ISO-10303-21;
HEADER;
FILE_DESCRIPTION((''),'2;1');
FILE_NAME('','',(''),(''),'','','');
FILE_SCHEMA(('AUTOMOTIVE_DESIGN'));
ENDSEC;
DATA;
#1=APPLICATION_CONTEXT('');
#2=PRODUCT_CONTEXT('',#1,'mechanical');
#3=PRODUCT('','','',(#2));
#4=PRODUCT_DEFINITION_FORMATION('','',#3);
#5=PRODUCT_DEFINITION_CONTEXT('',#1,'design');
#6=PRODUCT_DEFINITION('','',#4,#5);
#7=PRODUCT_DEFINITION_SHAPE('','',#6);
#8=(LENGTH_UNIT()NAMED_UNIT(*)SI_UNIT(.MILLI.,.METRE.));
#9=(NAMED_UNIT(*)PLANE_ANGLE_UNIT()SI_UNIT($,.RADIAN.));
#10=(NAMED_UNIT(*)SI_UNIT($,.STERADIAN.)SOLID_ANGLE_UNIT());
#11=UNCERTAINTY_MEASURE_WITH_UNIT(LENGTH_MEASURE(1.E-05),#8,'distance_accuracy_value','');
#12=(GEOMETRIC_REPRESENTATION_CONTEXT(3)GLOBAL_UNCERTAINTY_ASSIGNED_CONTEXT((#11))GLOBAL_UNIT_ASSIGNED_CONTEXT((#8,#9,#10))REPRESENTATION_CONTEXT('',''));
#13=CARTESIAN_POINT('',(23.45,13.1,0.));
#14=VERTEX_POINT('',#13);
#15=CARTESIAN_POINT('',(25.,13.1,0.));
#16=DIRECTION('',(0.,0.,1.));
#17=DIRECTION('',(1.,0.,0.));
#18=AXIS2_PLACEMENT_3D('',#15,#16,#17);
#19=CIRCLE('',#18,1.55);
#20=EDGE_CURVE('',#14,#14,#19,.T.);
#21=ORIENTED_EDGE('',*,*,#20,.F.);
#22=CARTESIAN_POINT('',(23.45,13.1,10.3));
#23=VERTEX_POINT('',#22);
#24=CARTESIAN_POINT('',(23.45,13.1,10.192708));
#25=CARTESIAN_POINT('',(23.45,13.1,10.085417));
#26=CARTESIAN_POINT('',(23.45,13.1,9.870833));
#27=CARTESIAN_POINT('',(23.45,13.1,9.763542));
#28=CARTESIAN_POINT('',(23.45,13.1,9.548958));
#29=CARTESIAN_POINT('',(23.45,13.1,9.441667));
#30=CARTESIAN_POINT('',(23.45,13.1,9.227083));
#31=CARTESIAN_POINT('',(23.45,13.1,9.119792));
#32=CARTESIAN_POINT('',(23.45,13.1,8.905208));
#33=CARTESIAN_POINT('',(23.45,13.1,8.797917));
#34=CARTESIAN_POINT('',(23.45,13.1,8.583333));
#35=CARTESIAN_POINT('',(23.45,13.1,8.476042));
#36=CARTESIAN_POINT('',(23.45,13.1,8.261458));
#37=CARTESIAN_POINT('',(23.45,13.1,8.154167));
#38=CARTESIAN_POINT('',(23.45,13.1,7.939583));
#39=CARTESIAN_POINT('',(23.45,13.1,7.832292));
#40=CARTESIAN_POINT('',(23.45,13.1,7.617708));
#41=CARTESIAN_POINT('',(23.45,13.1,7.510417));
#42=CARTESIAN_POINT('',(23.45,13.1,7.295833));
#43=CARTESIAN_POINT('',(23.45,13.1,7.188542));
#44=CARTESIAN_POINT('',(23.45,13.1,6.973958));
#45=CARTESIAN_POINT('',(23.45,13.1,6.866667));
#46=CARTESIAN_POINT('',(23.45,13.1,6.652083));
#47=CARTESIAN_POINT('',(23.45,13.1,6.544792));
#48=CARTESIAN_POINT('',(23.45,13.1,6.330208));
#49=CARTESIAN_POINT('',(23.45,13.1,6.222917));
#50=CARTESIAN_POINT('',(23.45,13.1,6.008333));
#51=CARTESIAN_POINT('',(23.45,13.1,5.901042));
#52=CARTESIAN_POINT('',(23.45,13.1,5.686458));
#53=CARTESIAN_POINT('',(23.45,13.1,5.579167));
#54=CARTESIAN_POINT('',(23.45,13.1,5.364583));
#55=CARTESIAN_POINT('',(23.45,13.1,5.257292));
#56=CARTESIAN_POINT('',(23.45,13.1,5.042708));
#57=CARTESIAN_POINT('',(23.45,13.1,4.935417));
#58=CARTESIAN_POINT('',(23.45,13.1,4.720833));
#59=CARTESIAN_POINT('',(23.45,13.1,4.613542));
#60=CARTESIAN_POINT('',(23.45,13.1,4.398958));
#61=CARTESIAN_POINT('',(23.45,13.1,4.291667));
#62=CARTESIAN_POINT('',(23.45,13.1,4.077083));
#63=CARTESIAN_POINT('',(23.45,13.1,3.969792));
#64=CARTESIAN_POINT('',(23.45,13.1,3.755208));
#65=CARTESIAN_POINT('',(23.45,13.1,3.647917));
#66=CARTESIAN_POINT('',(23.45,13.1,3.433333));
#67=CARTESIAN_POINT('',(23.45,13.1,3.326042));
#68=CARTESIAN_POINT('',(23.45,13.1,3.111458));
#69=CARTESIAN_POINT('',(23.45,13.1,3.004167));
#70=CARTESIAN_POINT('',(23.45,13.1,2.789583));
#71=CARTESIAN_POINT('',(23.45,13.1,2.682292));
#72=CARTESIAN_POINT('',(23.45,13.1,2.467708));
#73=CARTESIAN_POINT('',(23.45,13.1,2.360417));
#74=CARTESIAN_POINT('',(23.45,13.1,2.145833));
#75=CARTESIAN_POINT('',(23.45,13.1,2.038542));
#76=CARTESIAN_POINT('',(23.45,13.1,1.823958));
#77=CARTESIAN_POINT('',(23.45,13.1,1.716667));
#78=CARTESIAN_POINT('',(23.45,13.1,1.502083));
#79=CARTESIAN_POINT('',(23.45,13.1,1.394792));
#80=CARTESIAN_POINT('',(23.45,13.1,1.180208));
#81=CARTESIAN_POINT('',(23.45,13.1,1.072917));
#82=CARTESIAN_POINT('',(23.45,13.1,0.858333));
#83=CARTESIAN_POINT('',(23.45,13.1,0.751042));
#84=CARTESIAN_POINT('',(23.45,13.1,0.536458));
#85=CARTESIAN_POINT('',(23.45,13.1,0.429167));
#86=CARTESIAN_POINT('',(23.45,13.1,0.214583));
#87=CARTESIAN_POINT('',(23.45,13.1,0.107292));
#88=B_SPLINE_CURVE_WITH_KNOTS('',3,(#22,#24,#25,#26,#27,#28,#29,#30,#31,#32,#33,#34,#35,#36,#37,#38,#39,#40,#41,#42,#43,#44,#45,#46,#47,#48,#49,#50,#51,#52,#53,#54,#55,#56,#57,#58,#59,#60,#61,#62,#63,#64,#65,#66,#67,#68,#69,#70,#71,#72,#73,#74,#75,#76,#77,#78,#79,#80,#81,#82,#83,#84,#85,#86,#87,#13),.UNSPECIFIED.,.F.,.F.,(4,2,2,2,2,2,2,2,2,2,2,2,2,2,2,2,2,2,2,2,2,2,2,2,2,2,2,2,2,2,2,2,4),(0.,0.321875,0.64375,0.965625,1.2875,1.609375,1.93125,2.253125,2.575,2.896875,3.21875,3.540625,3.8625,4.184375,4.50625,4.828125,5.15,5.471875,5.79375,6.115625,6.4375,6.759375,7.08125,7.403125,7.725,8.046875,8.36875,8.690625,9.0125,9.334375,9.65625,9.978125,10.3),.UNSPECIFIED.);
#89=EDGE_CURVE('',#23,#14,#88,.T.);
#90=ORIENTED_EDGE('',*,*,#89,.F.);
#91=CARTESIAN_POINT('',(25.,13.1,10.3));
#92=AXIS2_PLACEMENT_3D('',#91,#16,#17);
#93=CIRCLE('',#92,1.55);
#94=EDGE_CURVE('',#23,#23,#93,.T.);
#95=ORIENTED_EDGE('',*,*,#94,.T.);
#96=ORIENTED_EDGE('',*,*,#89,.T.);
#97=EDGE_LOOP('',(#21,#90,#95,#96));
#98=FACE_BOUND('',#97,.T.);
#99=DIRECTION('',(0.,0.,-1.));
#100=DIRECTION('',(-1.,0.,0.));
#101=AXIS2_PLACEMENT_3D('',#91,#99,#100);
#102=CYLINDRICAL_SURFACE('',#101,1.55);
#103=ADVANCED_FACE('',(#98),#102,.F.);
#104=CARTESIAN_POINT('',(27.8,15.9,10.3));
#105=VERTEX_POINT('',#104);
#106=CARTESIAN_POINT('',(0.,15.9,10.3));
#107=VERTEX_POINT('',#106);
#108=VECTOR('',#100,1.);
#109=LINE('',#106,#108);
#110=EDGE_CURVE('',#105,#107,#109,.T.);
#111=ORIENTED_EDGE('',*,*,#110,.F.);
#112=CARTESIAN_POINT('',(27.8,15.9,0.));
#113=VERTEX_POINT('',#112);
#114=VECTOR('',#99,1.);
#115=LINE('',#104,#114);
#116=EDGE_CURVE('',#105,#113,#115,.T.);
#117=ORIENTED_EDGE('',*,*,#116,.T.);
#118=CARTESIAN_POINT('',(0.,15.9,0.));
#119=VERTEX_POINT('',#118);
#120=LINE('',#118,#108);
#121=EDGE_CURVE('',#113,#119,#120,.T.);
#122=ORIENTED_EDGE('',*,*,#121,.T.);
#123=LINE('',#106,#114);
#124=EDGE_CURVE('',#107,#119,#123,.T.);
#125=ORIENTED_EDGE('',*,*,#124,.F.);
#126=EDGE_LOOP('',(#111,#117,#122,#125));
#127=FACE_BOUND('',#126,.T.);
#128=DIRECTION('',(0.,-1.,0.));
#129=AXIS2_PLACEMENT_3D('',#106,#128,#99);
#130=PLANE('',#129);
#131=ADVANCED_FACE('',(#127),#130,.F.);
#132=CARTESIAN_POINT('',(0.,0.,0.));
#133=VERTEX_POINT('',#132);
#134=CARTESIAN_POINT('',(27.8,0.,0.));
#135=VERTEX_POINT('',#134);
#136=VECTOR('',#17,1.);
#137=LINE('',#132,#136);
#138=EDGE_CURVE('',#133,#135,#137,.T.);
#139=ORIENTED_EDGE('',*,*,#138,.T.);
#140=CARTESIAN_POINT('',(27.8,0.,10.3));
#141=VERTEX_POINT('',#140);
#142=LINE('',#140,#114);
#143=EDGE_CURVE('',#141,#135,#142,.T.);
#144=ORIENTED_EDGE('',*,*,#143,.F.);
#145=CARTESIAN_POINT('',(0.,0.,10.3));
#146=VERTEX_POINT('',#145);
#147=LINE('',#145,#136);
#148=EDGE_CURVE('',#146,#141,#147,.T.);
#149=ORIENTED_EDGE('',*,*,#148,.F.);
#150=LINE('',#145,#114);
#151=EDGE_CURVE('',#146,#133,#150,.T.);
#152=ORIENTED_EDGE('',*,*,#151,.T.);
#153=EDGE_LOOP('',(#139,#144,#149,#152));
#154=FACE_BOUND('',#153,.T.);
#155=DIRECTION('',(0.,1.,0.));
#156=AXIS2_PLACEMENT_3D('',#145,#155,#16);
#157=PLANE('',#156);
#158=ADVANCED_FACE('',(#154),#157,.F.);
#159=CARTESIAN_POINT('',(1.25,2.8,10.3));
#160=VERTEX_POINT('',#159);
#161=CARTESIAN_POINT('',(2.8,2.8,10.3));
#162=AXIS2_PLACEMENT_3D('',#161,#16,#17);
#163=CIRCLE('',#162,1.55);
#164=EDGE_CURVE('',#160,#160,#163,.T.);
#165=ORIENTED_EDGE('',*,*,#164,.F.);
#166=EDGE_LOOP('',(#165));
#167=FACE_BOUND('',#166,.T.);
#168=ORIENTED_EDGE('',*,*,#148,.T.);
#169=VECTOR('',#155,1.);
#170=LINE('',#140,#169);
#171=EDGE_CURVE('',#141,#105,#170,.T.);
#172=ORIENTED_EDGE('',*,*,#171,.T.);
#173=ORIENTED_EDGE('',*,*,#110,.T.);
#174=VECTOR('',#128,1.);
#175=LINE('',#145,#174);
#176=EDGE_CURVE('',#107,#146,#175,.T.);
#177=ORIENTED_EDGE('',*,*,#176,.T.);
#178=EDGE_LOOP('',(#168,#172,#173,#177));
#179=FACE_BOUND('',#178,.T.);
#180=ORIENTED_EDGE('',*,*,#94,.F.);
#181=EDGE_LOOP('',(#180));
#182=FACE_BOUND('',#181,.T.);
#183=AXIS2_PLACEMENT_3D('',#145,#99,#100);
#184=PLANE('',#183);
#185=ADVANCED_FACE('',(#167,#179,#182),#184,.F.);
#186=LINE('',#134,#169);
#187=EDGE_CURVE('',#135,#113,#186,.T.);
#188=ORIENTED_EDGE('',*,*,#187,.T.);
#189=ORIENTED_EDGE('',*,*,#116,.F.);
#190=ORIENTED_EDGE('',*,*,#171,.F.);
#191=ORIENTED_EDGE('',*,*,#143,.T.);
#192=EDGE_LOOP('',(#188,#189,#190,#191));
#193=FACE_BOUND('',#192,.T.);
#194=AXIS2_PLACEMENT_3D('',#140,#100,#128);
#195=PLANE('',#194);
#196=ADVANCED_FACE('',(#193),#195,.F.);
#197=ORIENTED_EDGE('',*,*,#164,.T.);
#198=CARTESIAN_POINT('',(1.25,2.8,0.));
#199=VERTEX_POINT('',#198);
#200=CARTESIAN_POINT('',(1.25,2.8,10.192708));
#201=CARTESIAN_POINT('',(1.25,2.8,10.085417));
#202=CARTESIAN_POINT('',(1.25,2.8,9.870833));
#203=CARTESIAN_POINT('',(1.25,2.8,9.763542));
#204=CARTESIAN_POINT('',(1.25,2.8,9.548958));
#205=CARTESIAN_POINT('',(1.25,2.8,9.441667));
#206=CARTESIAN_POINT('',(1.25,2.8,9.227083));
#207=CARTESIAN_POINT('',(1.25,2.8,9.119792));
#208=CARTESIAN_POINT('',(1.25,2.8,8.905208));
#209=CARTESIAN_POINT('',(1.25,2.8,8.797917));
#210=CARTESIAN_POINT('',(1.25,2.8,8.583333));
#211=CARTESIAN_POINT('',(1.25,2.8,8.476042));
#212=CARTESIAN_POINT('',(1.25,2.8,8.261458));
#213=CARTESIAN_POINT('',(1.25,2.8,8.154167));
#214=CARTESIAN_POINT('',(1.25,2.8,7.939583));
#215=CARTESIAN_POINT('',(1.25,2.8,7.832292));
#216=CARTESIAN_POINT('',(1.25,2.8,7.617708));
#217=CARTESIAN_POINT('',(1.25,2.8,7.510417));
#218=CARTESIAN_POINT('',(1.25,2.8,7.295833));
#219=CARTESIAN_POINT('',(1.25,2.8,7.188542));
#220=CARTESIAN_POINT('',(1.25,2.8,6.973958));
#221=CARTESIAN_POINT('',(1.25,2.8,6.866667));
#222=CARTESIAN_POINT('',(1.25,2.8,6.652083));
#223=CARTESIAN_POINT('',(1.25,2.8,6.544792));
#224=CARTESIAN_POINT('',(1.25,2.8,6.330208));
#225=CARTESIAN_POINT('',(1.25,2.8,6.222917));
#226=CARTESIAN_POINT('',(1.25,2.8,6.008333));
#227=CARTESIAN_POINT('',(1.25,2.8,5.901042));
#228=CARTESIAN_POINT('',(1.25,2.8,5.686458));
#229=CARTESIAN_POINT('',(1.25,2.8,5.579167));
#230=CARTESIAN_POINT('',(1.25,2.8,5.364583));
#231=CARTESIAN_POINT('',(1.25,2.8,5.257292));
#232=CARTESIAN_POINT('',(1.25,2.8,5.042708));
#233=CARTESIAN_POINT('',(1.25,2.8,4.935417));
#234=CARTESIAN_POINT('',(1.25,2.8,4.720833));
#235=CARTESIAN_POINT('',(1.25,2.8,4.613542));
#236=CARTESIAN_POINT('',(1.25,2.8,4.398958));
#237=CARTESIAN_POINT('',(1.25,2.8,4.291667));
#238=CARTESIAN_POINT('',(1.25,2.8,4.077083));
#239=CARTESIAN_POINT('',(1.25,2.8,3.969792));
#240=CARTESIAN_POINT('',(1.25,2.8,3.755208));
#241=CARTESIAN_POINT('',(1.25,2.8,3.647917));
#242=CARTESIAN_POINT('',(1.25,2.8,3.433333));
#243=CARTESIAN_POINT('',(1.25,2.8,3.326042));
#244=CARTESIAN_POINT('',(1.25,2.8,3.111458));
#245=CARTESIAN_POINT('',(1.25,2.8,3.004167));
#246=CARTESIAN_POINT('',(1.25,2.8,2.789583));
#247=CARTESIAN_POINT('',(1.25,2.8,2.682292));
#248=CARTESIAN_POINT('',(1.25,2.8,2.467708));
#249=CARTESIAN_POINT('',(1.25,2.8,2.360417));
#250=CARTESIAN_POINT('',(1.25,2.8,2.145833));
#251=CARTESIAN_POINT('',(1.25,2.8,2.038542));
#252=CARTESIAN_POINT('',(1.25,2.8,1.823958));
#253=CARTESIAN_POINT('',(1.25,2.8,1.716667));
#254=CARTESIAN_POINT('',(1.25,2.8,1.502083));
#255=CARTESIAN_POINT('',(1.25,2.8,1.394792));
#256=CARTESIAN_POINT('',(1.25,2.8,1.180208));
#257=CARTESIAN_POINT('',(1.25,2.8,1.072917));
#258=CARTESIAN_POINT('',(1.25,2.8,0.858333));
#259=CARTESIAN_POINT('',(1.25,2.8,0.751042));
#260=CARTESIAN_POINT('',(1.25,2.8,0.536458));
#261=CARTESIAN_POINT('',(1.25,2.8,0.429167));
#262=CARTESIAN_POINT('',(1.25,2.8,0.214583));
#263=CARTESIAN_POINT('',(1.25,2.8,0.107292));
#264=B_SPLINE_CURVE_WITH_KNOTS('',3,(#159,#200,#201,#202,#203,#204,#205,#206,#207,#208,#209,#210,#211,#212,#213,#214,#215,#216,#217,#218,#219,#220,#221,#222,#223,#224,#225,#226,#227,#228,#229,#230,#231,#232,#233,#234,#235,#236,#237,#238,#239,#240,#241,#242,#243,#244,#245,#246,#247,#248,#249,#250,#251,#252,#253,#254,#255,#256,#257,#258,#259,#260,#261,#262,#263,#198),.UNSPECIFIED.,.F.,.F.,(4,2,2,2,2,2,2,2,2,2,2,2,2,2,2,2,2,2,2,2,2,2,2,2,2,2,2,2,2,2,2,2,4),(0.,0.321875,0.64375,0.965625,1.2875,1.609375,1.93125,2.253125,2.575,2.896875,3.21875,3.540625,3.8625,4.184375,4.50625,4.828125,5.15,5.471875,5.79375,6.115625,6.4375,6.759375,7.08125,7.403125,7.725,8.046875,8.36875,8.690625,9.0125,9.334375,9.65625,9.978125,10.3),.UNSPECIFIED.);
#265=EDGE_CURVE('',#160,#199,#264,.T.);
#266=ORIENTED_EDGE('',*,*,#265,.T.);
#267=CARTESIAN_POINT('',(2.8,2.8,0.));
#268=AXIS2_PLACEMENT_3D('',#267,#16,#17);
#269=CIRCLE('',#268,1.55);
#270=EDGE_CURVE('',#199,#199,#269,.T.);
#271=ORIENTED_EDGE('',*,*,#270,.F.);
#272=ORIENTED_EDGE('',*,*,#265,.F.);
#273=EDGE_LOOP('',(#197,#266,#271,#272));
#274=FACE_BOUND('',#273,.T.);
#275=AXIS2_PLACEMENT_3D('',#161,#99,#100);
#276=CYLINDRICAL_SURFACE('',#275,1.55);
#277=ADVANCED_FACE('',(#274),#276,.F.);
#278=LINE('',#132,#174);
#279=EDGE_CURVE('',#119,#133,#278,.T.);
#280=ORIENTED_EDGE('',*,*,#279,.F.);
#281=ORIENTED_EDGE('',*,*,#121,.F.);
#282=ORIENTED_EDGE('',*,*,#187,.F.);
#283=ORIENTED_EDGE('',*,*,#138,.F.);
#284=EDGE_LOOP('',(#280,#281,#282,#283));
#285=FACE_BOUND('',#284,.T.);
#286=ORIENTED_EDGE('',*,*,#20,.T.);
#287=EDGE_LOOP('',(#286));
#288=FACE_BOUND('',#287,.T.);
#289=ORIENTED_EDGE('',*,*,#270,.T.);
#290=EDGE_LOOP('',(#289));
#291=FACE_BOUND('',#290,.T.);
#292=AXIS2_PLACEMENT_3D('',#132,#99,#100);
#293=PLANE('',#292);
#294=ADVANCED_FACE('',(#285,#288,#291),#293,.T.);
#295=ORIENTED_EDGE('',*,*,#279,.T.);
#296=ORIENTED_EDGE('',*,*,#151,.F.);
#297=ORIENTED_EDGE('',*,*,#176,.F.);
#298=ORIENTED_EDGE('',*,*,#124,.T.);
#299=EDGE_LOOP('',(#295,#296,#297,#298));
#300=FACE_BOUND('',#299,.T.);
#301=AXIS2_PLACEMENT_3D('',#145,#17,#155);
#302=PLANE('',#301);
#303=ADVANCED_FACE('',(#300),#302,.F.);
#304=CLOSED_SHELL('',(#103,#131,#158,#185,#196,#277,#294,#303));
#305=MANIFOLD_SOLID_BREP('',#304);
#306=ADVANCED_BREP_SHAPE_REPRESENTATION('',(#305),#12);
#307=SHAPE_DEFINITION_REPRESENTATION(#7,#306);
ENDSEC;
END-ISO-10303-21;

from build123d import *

# Parameters (mm, degrees)
SKETCH_2_W      = 27.8
SKETCH_2_H      = 15.9
SKETCH_2_R      = 1.55
EXTRUDE_1_DEPTH = 10.3


with BuildPart() as part:
    # ｽｹｯﾁ2 → ﾎﾞｽ - 押し出し1 (new body)
    with BuildSketch(Plane.XY):
        with Locations((13.9, 7.95)):
            Rectangle(SKETCH_2_W, SKETCH_2_H)
        with Locations(Location((2.8, 2.8, 0), (0, 0, 180))):
            Circle(SKETCH_2_R, mode=Mode.SUBTRACT)
        with Locations(Location((25, 13.1, 0), (0, 0, 180))):
            Circle(SKETCH_2_R, mode=Mode.SUBTRACT)
    extrude(amount=EXTRUDE_1_DEPTH)


solid = part.part
